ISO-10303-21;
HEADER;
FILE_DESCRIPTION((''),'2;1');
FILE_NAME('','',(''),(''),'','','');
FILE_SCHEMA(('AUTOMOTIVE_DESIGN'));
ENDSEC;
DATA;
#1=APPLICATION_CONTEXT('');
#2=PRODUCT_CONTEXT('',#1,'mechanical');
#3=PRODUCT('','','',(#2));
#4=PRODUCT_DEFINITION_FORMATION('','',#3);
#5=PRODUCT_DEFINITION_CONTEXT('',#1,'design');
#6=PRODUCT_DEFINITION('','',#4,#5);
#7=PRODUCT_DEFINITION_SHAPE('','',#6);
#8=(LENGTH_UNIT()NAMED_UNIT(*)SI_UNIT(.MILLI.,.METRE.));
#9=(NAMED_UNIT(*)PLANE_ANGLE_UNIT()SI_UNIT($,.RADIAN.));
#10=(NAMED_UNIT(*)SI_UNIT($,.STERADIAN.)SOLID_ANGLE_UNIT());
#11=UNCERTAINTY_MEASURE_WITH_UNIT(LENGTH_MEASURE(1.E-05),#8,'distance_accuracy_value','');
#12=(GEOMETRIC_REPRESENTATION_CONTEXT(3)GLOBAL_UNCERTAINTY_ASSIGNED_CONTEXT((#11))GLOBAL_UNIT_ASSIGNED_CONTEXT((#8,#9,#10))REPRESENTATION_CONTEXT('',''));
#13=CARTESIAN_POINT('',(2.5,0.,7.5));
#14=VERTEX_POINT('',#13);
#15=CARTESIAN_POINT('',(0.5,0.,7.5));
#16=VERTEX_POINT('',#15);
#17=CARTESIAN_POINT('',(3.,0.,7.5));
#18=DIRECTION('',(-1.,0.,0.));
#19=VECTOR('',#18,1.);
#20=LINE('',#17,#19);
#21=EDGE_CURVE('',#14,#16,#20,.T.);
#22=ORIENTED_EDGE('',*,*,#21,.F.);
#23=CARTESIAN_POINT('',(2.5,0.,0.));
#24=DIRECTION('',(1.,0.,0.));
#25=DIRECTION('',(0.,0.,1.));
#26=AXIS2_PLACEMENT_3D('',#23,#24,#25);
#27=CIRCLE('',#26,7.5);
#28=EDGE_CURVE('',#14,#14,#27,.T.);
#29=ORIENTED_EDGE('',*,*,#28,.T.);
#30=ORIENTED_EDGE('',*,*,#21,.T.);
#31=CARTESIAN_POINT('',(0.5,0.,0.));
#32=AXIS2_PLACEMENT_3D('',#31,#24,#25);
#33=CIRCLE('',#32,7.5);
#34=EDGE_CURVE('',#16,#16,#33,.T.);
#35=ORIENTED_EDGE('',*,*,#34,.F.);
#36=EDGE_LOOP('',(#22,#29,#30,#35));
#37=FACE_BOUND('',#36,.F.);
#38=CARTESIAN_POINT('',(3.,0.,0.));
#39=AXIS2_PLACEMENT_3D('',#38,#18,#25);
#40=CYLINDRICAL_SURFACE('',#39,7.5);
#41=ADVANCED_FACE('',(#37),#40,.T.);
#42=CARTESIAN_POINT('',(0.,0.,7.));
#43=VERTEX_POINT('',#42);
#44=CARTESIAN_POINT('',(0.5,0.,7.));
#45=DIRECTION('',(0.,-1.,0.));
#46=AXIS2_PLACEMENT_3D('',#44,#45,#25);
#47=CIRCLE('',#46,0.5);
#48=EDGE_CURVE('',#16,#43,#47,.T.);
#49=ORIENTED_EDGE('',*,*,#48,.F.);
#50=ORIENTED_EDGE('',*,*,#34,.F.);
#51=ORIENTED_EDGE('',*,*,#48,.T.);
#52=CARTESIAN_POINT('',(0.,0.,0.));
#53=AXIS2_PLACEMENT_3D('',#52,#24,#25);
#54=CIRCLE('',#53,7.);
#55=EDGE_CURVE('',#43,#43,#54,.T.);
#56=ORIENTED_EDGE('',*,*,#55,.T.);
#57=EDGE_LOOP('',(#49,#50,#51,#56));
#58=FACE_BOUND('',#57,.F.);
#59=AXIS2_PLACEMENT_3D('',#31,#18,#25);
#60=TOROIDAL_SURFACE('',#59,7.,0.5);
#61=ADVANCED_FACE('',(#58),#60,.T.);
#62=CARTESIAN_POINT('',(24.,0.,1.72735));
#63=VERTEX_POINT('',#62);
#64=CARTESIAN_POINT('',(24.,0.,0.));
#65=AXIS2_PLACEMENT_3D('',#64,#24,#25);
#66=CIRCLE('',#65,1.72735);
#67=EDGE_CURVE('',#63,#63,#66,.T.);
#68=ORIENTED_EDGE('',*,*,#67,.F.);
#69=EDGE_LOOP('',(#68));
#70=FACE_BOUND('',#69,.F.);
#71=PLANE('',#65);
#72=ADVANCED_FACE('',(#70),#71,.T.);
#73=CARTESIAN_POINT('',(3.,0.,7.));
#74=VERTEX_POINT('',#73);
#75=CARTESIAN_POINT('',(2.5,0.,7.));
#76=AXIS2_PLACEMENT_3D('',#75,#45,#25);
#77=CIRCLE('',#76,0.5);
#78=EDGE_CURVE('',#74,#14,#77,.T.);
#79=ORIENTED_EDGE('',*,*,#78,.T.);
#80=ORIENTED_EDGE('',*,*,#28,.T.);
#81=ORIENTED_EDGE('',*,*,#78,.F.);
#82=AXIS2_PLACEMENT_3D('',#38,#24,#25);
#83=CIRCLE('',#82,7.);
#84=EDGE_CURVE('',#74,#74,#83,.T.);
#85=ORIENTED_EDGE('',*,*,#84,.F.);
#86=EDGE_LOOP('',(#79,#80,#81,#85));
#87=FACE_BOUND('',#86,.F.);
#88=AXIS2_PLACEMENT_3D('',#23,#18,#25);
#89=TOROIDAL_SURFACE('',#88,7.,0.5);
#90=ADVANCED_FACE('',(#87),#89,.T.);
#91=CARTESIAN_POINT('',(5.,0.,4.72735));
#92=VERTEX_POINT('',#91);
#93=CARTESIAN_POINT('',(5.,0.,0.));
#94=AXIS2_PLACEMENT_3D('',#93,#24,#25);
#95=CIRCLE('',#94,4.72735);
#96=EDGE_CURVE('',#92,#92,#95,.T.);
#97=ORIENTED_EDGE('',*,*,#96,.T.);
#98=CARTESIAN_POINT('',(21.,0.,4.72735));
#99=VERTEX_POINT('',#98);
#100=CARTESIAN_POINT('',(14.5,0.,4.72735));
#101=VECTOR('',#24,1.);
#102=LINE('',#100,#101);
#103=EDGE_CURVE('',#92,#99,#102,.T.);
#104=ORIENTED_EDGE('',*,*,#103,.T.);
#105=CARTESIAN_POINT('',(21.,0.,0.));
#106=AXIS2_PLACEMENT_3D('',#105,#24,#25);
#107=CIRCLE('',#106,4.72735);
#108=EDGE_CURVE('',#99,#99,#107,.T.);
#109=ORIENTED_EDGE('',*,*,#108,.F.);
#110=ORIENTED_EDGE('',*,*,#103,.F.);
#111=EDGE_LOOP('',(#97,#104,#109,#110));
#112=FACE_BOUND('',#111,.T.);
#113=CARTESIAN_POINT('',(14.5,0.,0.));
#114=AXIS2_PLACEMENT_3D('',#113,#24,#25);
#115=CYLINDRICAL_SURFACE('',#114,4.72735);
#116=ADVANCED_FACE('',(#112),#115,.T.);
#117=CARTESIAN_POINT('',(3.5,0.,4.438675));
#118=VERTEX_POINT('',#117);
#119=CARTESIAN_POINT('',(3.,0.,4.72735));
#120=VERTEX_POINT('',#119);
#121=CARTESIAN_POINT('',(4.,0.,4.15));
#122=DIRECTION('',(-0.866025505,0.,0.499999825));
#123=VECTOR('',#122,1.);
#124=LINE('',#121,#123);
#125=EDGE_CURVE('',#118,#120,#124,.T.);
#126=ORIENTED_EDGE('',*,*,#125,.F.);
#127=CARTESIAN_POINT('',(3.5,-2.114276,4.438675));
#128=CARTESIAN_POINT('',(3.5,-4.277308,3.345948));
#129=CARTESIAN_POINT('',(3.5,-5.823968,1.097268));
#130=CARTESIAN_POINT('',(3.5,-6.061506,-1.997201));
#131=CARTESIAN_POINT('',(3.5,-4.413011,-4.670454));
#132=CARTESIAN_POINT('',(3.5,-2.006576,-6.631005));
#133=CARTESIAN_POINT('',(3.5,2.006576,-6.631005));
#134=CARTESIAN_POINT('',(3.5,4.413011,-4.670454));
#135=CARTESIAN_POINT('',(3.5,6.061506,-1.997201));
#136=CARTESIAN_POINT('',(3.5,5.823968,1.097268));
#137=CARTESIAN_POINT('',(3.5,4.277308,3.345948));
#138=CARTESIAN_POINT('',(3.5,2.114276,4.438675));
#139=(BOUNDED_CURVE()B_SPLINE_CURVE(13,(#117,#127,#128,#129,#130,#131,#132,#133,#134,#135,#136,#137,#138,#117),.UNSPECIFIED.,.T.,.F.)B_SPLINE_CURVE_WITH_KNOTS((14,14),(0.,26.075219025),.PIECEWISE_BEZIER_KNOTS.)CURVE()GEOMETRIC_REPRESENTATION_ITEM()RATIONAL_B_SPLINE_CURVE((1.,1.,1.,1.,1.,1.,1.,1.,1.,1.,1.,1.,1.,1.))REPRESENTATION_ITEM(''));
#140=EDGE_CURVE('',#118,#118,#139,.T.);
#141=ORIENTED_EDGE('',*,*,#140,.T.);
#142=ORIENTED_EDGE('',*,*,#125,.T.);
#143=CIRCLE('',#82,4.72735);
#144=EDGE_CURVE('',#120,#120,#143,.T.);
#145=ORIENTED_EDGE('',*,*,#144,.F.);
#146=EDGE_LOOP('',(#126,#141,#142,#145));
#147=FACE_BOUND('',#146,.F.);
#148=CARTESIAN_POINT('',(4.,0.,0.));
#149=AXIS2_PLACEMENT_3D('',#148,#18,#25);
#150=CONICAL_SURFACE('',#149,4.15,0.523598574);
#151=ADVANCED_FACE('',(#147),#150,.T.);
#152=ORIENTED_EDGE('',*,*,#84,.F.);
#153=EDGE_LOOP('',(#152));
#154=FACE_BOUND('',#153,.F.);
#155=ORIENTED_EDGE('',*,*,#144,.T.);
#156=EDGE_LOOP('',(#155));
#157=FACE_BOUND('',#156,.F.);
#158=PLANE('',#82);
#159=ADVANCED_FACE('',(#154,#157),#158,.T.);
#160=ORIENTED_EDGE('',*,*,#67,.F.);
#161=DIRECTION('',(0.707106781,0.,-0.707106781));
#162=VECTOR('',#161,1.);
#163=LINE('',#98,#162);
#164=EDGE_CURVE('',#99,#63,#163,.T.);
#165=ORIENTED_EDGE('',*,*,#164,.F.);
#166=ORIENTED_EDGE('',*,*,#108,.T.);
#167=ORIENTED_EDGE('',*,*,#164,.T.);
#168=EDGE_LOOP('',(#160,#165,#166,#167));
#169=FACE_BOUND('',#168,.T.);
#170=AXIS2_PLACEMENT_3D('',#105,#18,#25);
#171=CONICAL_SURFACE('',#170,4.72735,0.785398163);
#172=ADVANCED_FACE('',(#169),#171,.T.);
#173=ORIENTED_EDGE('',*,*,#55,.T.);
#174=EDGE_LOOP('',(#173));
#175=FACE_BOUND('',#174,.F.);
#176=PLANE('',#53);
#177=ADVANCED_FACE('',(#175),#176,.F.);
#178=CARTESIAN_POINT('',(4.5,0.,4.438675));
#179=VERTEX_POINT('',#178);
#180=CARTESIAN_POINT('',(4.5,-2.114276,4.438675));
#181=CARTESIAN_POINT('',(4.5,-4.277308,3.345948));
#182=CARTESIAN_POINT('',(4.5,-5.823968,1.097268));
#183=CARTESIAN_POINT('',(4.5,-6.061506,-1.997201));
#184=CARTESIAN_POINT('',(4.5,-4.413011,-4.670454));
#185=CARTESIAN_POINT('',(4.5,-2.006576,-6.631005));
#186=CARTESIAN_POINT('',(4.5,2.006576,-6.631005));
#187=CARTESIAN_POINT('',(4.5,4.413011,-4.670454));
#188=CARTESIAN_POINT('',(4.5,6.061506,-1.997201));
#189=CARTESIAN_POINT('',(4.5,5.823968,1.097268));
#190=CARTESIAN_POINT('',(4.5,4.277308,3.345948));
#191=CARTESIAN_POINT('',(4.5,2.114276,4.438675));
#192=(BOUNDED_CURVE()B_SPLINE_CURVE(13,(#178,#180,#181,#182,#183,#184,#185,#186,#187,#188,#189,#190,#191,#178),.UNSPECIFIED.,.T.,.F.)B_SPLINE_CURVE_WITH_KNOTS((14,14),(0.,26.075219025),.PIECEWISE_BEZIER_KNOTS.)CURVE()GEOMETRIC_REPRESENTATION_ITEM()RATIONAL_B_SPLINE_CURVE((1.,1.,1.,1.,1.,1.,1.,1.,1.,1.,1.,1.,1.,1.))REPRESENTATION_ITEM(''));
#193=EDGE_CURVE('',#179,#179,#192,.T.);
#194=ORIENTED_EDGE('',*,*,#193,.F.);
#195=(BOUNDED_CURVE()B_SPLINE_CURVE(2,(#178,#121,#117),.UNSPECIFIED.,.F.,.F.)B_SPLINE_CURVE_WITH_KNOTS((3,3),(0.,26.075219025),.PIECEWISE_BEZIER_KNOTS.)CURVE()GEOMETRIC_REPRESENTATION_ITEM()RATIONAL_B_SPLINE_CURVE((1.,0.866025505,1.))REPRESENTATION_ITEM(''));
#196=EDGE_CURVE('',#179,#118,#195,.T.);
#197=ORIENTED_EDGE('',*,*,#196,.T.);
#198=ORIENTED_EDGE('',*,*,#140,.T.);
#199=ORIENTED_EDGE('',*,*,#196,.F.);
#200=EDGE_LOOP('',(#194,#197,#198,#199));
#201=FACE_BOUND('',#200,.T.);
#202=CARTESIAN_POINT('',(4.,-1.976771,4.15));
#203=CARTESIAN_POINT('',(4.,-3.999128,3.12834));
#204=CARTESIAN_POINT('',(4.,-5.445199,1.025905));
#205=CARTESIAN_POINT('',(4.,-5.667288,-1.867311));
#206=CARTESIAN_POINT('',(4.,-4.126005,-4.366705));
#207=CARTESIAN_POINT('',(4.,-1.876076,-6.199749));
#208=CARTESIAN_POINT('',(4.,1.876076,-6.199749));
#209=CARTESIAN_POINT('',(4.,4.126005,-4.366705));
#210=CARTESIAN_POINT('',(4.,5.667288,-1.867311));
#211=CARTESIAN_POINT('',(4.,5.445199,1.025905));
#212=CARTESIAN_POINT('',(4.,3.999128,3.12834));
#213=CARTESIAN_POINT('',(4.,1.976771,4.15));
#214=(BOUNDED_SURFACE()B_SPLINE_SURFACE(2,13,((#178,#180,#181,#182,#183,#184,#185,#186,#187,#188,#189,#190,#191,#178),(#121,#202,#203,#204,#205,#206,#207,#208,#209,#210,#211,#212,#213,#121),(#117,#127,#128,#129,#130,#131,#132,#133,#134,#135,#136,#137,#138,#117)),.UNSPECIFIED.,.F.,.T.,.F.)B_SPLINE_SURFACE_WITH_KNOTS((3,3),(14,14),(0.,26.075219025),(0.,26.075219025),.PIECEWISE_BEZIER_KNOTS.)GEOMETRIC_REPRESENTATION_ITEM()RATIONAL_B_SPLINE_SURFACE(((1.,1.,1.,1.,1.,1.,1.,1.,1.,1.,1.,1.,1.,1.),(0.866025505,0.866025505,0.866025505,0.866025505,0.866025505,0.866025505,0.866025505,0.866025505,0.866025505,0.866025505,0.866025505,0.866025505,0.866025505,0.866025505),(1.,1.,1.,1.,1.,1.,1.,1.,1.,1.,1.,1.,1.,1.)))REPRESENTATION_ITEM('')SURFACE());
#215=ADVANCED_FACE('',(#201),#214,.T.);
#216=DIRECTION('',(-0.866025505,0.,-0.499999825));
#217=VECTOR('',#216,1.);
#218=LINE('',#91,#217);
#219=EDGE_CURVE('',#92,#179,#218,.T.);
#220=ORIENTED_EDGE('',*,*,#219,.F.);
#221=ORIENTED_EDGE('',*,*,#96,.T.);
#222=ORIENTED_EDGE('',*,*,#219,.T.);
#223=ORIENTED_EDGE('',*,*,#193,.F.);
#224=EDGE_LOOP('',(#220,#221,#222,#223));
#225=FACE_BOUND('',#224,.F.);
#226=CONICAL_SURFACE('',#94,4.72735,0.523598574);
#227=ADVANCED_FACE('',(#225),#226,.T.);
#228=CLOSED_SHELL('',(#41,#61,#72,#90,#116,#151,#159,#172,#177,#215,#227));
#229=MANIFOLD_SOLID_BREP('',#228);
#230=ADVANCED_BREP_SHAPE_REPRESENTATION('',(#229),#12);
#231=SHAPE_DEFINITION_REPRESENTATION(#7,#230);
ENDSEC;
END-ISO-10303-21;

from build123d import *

# Parameters (mm, degrees)
F0_W     = 19
F0_H     = 4.72735
F2_R     = 1
F3_R     = 0.5
F4_SIZE2 = 3
F4_SIZE  = 3


with BuildPart() as f1:
    # F0 (on Front) → F1 (revolve)
    with BuildSketch(Plane.XZ):
        Polygon((0, 7.5), (0, 0), (3, 0), (3, 4.72735), (3, 7.5), align=None)
        Polygon((3, 4.72735), (3, 0), (4, 0), (4, 4.15), align=None)
        Polygon((4, 4.15), (4, 0), (5, 0), (5, 4.72735), align=None)
        with Locations((14.5, 2.363675)):
            Rectangle(F0_W, F0_H)
    revolve(axis=Axis((12, 0, 0), (1, 0, 0)))

    # F2
    f2_edges = [f1.edges().sort_by_distance(p)[0] for p in [
        (4, 0, -4.15),
    ]]
    fillet(f2_edges, radius=F2_R)

    # F3
    f3_edges = [f1.edges().sort_by_distance(p)[0] for p in [
        (0, 0, -7.5),
        (3, 0, -7.5),
    ]]
    fillet(f3_edges, radius=F3_R)

    # F4
    f4_edges = [f1.edges().sort_by_distance(p)[0] for p in [
        (24, 0, -4.72735),
    ]]
    chamfer(f4_edges, length=F4_SIZE, length2=F4_SIZE2)


solid = f1.part
